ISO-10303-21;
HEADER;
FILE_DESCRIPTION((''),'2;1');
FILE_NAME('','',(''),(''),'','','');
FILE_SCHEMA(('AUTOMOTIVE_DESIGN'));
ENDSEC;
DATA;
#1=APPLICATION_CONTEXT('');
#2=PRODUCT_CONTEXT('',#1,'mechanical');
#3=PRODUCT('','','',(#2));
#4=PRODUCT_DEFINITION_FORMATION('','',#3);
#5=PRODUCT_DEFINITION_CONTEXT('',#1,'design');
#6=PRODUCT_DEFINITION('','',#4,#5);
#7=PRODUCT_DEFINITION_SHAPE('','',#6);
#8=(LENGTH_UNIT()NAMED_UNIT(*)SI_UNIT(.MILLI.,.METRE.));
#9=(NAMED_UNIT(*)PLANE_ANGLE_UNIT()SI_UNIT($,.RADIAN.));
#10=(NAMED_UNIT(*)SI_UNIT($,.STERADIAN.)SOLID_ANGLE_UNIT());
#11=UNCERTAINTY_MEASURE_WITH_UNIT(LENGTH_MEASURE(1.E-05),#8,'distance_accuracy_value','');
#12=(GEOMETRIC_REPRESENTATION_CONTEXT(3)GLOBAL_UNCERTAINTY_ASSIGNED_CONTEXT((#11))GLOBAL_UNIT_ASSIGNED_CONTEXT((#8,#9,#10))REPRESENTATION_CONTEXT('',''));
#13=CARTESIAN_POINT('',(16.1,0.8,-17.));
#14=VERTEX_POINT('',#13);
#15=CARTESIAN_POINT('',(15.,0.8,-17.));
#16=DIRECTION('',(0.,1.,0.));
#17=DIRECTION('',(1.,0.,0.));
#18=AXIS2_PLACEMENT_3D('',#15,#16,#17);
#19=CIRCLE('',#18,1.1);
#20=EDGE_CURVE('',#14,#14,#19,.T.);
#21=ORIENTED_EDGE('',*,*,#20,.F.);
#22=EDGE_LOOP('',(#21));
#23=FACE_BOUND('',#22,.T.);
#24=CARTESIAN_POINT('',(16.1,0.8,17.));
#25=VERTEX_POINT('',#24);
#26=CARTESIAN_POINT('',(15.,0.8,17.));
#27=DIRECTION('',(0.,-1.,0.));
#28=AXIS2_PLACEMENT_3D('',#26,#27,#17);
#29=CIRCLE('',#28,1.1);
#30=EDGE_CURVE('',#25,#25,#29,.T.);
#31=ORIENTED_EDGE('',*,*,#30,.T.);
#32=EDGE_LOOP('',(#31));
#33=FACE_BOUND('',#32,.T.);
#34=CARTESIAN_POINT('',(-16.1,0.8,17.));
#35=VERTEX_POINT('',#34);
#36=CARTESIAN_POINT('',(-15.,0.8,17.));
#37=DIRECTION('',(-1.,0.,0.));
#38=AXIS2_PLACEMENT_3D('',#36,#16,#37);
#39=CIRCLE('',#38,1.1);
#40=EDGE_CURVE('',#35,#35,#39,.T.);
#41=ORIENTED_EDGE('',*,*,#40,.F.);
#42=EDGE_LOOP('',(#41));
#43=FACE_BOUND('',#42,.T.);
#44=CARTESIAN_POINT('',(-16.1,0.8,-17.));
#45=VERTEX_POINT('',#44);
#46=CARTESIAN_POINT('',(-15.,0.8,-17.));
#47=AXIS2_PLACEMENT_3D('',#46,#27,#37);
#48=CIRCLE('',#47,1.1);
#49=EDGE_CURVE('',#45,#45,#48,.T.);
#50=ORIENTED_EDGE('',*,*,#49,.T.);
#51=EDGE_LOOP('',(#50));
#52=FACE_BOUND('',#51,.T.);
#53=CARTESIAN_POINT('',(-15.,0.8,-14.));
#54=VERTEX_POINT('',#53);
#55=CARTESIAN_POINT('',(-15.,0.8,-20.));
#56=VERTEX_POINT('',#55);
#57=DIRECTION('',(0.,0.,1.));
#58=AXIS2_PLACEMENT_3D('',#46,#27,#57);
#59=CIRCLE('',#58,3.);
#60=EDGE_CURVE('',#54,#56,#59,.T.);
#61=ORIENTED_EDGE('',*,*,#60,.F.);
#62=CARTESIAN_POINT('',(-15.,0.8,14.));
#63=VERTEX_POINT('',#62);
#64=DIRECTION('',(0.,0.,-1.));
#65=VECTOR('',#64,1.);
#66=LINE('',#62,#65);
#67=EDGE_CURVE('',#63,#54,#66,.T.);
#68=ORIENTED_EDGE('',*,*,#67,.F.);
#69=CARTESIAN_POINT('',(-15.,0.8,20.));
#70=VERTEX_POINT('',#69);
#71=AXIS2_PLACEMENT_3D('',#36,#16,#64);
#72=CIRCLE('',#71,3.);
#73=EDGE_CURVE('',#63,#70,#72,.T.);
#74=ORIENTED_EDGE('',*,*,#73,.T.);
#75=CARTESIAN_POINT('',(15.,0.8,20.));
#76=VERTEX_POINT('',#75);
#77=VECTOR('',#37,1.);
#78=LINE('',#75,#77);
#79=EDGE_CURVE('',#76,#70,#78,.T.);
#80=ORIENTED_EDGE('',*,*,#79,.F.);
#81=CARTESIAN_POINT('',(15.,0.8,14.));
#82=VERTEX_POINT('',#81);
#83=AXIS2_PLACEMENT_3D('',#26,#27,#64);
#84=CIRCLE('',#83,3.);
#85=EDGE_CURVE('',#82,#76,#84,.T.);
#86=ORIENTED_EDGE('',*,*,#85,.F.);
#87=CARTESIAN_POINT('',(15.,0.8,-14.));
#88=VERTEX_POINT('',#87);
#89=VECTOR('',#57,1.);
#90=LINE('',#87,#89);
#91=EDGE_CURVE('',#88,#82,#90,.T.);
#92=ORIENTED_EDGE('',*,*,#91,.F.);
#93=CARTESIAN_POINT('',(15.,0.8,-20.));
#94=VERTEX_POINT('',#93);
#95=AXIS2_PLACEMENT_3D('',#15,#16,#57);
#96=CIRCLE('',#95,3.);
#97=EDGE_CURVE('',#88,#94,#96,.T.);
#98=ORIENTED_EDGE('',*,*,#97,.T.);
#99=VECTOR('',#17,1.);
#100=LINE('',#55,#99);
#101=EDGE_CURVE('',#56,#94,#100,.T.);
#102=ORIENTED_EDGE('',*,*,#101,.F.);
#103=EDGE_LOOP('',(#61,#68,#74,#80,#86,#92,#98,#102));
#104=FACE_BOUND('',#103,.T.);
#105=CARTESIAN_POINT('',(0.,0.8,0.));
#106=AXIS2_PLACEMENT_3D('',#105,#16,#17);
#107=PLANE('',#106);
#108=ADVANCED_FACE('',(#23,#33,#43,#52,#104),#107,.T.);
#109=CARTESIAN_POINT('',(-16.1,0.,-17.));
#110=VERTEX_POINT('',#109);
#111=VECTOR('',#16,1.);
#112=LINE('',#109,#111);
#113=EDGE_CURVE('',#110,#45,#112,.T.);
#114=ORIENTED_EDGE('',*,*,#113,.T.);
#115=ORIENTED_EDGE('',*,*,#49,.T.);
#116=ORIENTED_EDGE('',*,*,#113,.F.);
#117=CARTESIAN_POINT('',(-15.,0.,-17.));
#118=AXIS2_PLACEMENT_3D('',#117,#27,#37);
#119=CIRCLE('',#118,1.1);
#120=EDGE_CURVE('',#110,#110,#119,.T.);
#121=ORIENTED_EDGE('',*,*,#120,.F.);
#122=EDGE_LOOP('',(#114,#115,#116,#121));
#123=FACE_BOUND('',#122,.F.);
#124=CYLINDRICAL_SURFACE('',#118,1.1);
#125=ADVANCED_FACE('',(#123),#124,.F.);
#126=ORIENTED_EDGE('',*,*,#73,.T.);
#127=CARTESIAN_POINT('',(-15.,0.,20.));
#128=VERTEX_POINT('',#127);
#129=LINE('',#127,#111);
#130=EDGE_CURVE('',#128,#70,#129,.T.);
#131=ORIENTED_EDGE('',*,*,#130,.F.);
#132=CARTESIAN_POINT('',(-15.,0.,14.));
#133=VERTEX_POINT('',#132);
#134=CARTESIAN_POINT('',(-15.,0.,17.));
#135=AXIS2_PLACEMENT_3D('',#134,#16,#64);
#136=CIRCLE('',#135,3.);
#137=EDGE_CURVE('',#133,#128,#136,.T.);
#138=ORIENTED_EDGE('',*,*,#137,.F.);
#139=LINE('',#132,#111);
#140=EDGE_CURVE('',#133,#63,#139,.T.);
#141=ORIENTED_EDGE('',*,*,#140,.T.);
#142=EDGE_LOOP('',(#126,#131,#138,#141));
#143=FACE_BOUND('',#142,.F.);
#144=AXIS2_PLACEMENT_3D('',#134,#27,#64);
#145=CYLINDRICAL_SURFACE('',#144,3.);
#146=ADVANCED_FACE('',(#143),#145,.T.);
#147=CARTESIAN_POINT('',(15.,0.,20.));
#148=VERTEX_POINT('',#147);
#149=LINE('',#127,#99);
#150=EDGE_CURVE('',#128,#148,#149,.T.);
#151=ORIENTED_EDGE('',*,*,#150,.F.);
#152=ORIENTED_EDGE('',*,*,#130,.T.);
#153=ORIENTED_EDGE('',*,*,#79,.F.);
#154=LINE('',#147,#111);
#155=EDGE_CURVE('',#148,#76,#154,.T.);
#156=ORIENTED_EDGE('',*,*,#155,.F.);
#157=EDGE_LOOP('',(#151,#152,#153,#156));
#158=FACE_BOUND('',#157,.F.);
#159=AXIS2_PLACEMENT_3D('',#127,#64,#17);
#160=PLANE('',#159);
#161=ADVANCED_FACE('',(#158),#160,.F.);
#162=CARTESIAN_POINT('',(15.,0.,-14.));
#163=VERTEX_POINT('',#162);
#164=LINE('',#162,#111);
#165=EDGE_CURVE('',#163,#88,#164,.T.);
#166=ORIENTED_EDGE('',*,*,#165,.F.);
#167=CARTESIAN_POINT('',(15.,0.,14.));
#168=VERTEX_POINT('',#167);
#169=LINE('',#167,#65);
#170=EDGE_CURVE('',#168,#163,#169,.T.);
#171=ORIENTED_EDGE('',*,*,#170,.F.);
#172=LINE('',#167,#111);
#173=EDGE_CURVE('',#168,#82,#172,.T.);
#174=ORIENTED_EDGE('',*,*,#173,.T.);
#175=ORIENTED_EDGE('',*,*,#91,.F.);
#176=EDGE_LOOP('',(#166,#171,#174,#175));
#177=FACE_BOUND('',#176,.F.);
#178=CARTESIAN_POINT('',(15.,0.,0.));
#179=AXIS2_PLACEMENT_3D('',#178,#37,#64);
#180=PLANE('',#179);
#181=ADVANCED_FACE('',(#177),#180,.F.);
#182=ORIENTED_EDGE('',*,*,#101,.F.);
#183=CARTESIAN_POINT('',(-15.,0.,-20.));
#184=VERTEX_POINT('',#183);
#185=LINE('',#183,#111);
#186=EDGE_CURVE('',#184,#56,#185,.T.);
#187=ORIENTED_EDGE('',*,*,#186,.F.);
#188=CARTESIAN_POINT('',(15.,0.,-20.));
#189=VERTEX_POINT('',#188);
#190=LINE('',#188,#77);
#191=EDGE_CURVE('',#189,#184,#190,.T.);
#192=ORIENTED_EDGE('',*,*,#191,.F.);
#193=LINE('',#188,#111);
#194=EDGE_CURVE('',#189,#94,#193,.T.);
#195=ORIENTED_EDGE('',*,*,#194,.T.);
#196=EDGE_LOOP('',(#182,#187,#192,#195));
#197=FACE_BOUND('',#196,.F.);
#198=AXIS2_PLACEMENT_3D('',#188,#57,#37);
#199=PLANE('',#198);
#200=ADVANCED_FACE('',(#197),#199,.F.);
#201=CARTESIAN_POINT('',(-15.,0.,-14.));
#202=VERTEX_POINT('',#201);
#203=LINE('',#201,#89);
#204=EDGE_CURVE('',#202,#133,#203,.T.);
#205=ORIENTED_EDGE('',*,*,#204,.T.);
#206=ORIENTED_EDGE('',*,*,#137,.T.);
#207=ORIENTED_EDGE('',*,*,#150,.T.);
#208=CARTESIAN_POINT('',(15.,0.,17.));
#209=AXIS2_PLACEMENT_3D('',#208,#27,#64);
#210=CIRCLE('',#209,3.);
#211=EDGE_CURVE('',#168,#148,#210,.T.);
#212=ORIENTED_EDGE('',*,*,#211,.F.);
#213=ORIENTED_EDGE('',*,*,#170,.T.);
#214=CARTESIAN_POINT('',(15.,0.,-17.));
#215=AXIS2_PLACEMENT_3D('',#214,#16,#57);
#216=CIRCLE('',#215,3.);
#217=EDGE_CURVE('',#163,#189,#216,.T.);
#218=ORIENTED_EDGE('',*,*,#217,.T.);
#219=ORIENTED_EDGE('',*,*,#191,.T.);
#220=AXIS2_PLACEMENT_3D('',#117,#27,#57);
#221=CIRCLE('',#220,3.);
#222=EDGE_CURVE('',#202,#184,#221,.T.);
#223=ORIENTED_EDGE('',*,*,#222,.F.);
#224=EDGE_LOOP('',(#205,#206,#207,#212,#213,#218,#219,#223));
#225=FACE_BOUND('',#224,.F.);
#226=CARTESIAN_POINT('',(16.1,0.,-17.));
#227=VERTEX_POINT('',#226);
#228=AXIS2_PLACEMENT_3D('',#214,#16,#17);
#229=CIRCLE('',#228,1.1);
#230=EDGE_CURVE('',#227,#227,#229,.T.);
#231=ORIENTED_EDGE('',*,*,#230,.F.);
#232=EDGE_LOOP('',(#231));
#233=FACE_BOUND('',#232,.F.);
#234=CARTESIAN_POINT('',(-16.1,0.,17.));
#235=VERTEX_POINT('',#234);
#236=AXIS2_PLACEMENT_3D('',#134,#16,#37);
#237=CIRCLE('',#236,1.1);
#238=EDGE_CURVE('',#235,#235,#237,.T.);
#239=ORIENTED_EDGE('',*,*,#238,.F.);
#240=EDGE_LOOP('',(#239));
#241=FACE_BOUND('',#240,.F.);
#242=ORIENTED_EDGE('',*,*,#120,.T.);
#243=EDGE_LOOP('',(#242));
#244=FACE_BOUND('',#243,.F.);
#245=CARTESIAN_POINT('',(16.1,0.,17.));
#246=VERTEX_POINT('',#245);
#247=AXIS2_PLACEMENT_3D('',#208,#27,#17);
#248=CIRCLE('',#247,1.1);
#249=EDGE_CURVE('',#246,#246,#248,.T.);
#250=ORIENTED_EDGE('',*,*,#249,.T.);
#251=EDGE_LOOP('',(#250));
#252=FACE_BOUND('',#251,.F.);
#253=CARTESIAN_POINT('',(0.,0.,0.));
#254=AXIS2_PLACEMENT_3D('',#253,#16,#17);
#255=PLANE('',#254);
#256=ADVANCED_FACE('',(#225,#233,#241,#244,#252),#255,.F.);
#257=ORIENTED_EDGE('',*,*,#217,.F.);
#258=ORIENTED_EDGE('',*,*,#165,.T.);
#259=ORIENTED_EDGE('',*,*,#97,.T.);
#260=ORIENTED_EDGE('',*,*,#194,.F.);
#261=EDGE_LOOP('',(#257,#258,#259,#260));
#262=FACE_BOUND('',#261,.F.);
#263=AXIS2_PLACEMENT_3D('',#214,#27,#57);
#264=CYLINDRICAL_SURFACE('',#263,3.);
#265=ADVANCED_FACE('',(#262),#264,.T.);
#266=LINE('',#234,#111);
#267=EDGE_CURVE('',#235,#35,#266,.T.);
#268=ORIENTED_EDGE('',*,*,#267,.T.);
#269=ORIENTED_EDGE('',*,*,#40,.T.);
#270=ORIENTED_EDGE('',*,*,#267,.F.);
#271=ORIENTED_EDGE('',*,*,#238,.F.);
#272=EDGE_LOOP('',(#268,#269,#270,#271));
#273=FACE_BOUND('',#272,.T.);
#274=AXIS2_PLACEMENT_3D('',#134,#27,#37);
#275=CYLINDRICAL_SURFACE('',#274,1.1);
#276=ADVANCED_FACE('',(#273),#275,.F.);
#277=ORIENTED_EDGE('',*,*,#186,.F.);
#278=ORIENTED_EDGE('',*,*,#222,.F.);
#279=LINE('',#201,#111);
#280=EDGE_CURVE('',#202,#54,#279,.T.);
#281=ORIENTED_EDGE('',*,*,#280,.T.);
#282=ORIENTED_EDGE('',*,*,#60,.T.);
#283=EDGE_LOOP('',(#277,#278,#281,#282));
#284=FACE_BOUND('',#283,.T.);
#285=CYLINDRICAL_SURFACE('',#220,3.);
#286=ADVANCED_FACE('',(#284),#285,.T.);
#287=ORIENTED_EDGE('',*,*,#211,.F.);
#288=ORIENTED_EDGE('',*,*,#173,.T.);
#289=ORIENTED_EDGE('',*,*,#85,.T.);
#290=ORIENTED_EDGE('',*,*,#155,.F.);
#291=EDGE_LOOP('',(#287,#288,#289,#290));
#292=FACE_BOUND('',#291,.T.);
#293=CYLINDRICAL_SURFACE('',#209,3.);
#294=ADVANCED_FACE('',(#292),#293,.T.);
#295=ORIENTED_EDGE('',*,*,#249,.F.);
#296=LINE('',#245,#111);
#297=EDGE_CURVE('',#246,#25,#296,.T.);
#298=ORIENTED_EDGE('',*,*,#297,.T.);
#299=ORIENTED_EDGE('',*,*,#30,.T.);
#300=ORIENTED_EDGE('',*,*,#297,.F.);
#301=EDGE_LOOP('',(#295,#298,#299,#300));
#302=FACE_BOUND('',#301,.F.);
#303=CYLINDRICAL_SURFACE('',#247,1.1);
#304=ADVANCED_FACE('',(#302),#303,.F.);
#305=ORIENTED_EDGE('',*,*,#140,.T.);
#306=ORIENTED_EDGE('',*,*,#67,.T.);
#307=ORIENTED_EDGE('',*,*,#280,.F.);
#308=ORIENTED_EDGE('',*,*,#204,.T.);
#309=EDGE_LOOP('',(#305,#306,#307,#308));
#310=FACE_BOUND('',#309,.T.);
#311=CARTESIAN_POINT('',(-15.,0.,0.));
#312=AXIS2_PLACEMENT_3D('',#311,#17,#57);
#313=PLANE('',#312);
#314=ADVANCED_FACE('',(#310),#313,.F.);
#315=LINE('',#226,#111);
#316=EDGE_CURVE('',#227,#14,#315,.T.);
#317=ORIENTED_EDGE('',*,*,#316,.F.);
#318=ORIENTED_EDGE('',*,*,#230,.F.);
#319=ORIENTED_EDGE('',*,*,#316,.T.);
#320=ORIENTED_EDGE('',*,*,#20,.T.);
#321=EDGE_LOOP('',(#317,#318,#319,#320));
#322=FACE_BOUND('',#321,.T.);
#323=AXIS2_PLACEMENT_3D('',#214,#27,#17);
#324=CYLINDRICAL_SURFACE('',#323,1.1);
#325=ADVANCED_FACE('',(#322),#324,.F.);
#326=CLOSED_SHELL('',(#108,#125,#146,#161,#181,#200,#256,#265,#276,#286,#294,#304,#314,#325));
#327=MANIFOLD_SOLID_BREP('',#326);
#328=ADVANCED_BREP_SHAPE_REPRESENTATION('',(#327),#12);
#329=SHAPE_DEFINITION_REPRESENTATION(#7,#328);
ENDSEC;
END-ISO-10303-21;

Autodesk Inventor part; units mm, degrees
ref_plane "YZ Plane" through (0, 0, 0) normal (1, 0, 0) x (0, 1, 0)
ref_plane "XZ Plane" through (0, 0, 0) normal (0, 1, 0) x (-1, 0, 0)
ref_plane "XY Plane" through (0, 0, 0) normal (0, 0, 1) x (1, 0, 0)
sketch "スケッチ1" plane through (0, 0, 0) normal (0, 1, 0) x (-1, 0, 0)
  line L0 (15, 20) -> (-15, 20)
  line L1 (-15, 20) -> (-15, -20)
  line L2 (-15, -20) -> (15, -20)
  line L3 (15, -20) -> (15, 14)
  arc A0 (15, 14) -> (15, 20) centre (15, 17) ccw
  line L4 (0, -20) -> (0, 20)
  line L5 (15, 0) -> (-15, 0)
  line L6 (15, 14) -> (15, 20) construction
  circle A1 centre (15, 17) radius 1.1
  arc A2 (15, 20) -> (15, 14) centre (15, 17) ccw construction
  point P0 (0, 0)
  point P1 (0, 0)
  dimension "d0" = 30
  dimension "d1" = 40
  dimension "d2" = 6
  dimension "d3" = 2.2
extrude "押し出し1" add sketch "スケッチ1" along normal blind 0.8 contours A0 L3 L5 L4 L0
mirror "ミラー1" about plane through (0, 0, 20) normal (1, 0, 0) of "押し出し1"
mirror "ミラー2" about plane through (0, 0, 0) normal (0, 0, -1) of "押し出し1", "ミラー1"
properties part number "kiban"
